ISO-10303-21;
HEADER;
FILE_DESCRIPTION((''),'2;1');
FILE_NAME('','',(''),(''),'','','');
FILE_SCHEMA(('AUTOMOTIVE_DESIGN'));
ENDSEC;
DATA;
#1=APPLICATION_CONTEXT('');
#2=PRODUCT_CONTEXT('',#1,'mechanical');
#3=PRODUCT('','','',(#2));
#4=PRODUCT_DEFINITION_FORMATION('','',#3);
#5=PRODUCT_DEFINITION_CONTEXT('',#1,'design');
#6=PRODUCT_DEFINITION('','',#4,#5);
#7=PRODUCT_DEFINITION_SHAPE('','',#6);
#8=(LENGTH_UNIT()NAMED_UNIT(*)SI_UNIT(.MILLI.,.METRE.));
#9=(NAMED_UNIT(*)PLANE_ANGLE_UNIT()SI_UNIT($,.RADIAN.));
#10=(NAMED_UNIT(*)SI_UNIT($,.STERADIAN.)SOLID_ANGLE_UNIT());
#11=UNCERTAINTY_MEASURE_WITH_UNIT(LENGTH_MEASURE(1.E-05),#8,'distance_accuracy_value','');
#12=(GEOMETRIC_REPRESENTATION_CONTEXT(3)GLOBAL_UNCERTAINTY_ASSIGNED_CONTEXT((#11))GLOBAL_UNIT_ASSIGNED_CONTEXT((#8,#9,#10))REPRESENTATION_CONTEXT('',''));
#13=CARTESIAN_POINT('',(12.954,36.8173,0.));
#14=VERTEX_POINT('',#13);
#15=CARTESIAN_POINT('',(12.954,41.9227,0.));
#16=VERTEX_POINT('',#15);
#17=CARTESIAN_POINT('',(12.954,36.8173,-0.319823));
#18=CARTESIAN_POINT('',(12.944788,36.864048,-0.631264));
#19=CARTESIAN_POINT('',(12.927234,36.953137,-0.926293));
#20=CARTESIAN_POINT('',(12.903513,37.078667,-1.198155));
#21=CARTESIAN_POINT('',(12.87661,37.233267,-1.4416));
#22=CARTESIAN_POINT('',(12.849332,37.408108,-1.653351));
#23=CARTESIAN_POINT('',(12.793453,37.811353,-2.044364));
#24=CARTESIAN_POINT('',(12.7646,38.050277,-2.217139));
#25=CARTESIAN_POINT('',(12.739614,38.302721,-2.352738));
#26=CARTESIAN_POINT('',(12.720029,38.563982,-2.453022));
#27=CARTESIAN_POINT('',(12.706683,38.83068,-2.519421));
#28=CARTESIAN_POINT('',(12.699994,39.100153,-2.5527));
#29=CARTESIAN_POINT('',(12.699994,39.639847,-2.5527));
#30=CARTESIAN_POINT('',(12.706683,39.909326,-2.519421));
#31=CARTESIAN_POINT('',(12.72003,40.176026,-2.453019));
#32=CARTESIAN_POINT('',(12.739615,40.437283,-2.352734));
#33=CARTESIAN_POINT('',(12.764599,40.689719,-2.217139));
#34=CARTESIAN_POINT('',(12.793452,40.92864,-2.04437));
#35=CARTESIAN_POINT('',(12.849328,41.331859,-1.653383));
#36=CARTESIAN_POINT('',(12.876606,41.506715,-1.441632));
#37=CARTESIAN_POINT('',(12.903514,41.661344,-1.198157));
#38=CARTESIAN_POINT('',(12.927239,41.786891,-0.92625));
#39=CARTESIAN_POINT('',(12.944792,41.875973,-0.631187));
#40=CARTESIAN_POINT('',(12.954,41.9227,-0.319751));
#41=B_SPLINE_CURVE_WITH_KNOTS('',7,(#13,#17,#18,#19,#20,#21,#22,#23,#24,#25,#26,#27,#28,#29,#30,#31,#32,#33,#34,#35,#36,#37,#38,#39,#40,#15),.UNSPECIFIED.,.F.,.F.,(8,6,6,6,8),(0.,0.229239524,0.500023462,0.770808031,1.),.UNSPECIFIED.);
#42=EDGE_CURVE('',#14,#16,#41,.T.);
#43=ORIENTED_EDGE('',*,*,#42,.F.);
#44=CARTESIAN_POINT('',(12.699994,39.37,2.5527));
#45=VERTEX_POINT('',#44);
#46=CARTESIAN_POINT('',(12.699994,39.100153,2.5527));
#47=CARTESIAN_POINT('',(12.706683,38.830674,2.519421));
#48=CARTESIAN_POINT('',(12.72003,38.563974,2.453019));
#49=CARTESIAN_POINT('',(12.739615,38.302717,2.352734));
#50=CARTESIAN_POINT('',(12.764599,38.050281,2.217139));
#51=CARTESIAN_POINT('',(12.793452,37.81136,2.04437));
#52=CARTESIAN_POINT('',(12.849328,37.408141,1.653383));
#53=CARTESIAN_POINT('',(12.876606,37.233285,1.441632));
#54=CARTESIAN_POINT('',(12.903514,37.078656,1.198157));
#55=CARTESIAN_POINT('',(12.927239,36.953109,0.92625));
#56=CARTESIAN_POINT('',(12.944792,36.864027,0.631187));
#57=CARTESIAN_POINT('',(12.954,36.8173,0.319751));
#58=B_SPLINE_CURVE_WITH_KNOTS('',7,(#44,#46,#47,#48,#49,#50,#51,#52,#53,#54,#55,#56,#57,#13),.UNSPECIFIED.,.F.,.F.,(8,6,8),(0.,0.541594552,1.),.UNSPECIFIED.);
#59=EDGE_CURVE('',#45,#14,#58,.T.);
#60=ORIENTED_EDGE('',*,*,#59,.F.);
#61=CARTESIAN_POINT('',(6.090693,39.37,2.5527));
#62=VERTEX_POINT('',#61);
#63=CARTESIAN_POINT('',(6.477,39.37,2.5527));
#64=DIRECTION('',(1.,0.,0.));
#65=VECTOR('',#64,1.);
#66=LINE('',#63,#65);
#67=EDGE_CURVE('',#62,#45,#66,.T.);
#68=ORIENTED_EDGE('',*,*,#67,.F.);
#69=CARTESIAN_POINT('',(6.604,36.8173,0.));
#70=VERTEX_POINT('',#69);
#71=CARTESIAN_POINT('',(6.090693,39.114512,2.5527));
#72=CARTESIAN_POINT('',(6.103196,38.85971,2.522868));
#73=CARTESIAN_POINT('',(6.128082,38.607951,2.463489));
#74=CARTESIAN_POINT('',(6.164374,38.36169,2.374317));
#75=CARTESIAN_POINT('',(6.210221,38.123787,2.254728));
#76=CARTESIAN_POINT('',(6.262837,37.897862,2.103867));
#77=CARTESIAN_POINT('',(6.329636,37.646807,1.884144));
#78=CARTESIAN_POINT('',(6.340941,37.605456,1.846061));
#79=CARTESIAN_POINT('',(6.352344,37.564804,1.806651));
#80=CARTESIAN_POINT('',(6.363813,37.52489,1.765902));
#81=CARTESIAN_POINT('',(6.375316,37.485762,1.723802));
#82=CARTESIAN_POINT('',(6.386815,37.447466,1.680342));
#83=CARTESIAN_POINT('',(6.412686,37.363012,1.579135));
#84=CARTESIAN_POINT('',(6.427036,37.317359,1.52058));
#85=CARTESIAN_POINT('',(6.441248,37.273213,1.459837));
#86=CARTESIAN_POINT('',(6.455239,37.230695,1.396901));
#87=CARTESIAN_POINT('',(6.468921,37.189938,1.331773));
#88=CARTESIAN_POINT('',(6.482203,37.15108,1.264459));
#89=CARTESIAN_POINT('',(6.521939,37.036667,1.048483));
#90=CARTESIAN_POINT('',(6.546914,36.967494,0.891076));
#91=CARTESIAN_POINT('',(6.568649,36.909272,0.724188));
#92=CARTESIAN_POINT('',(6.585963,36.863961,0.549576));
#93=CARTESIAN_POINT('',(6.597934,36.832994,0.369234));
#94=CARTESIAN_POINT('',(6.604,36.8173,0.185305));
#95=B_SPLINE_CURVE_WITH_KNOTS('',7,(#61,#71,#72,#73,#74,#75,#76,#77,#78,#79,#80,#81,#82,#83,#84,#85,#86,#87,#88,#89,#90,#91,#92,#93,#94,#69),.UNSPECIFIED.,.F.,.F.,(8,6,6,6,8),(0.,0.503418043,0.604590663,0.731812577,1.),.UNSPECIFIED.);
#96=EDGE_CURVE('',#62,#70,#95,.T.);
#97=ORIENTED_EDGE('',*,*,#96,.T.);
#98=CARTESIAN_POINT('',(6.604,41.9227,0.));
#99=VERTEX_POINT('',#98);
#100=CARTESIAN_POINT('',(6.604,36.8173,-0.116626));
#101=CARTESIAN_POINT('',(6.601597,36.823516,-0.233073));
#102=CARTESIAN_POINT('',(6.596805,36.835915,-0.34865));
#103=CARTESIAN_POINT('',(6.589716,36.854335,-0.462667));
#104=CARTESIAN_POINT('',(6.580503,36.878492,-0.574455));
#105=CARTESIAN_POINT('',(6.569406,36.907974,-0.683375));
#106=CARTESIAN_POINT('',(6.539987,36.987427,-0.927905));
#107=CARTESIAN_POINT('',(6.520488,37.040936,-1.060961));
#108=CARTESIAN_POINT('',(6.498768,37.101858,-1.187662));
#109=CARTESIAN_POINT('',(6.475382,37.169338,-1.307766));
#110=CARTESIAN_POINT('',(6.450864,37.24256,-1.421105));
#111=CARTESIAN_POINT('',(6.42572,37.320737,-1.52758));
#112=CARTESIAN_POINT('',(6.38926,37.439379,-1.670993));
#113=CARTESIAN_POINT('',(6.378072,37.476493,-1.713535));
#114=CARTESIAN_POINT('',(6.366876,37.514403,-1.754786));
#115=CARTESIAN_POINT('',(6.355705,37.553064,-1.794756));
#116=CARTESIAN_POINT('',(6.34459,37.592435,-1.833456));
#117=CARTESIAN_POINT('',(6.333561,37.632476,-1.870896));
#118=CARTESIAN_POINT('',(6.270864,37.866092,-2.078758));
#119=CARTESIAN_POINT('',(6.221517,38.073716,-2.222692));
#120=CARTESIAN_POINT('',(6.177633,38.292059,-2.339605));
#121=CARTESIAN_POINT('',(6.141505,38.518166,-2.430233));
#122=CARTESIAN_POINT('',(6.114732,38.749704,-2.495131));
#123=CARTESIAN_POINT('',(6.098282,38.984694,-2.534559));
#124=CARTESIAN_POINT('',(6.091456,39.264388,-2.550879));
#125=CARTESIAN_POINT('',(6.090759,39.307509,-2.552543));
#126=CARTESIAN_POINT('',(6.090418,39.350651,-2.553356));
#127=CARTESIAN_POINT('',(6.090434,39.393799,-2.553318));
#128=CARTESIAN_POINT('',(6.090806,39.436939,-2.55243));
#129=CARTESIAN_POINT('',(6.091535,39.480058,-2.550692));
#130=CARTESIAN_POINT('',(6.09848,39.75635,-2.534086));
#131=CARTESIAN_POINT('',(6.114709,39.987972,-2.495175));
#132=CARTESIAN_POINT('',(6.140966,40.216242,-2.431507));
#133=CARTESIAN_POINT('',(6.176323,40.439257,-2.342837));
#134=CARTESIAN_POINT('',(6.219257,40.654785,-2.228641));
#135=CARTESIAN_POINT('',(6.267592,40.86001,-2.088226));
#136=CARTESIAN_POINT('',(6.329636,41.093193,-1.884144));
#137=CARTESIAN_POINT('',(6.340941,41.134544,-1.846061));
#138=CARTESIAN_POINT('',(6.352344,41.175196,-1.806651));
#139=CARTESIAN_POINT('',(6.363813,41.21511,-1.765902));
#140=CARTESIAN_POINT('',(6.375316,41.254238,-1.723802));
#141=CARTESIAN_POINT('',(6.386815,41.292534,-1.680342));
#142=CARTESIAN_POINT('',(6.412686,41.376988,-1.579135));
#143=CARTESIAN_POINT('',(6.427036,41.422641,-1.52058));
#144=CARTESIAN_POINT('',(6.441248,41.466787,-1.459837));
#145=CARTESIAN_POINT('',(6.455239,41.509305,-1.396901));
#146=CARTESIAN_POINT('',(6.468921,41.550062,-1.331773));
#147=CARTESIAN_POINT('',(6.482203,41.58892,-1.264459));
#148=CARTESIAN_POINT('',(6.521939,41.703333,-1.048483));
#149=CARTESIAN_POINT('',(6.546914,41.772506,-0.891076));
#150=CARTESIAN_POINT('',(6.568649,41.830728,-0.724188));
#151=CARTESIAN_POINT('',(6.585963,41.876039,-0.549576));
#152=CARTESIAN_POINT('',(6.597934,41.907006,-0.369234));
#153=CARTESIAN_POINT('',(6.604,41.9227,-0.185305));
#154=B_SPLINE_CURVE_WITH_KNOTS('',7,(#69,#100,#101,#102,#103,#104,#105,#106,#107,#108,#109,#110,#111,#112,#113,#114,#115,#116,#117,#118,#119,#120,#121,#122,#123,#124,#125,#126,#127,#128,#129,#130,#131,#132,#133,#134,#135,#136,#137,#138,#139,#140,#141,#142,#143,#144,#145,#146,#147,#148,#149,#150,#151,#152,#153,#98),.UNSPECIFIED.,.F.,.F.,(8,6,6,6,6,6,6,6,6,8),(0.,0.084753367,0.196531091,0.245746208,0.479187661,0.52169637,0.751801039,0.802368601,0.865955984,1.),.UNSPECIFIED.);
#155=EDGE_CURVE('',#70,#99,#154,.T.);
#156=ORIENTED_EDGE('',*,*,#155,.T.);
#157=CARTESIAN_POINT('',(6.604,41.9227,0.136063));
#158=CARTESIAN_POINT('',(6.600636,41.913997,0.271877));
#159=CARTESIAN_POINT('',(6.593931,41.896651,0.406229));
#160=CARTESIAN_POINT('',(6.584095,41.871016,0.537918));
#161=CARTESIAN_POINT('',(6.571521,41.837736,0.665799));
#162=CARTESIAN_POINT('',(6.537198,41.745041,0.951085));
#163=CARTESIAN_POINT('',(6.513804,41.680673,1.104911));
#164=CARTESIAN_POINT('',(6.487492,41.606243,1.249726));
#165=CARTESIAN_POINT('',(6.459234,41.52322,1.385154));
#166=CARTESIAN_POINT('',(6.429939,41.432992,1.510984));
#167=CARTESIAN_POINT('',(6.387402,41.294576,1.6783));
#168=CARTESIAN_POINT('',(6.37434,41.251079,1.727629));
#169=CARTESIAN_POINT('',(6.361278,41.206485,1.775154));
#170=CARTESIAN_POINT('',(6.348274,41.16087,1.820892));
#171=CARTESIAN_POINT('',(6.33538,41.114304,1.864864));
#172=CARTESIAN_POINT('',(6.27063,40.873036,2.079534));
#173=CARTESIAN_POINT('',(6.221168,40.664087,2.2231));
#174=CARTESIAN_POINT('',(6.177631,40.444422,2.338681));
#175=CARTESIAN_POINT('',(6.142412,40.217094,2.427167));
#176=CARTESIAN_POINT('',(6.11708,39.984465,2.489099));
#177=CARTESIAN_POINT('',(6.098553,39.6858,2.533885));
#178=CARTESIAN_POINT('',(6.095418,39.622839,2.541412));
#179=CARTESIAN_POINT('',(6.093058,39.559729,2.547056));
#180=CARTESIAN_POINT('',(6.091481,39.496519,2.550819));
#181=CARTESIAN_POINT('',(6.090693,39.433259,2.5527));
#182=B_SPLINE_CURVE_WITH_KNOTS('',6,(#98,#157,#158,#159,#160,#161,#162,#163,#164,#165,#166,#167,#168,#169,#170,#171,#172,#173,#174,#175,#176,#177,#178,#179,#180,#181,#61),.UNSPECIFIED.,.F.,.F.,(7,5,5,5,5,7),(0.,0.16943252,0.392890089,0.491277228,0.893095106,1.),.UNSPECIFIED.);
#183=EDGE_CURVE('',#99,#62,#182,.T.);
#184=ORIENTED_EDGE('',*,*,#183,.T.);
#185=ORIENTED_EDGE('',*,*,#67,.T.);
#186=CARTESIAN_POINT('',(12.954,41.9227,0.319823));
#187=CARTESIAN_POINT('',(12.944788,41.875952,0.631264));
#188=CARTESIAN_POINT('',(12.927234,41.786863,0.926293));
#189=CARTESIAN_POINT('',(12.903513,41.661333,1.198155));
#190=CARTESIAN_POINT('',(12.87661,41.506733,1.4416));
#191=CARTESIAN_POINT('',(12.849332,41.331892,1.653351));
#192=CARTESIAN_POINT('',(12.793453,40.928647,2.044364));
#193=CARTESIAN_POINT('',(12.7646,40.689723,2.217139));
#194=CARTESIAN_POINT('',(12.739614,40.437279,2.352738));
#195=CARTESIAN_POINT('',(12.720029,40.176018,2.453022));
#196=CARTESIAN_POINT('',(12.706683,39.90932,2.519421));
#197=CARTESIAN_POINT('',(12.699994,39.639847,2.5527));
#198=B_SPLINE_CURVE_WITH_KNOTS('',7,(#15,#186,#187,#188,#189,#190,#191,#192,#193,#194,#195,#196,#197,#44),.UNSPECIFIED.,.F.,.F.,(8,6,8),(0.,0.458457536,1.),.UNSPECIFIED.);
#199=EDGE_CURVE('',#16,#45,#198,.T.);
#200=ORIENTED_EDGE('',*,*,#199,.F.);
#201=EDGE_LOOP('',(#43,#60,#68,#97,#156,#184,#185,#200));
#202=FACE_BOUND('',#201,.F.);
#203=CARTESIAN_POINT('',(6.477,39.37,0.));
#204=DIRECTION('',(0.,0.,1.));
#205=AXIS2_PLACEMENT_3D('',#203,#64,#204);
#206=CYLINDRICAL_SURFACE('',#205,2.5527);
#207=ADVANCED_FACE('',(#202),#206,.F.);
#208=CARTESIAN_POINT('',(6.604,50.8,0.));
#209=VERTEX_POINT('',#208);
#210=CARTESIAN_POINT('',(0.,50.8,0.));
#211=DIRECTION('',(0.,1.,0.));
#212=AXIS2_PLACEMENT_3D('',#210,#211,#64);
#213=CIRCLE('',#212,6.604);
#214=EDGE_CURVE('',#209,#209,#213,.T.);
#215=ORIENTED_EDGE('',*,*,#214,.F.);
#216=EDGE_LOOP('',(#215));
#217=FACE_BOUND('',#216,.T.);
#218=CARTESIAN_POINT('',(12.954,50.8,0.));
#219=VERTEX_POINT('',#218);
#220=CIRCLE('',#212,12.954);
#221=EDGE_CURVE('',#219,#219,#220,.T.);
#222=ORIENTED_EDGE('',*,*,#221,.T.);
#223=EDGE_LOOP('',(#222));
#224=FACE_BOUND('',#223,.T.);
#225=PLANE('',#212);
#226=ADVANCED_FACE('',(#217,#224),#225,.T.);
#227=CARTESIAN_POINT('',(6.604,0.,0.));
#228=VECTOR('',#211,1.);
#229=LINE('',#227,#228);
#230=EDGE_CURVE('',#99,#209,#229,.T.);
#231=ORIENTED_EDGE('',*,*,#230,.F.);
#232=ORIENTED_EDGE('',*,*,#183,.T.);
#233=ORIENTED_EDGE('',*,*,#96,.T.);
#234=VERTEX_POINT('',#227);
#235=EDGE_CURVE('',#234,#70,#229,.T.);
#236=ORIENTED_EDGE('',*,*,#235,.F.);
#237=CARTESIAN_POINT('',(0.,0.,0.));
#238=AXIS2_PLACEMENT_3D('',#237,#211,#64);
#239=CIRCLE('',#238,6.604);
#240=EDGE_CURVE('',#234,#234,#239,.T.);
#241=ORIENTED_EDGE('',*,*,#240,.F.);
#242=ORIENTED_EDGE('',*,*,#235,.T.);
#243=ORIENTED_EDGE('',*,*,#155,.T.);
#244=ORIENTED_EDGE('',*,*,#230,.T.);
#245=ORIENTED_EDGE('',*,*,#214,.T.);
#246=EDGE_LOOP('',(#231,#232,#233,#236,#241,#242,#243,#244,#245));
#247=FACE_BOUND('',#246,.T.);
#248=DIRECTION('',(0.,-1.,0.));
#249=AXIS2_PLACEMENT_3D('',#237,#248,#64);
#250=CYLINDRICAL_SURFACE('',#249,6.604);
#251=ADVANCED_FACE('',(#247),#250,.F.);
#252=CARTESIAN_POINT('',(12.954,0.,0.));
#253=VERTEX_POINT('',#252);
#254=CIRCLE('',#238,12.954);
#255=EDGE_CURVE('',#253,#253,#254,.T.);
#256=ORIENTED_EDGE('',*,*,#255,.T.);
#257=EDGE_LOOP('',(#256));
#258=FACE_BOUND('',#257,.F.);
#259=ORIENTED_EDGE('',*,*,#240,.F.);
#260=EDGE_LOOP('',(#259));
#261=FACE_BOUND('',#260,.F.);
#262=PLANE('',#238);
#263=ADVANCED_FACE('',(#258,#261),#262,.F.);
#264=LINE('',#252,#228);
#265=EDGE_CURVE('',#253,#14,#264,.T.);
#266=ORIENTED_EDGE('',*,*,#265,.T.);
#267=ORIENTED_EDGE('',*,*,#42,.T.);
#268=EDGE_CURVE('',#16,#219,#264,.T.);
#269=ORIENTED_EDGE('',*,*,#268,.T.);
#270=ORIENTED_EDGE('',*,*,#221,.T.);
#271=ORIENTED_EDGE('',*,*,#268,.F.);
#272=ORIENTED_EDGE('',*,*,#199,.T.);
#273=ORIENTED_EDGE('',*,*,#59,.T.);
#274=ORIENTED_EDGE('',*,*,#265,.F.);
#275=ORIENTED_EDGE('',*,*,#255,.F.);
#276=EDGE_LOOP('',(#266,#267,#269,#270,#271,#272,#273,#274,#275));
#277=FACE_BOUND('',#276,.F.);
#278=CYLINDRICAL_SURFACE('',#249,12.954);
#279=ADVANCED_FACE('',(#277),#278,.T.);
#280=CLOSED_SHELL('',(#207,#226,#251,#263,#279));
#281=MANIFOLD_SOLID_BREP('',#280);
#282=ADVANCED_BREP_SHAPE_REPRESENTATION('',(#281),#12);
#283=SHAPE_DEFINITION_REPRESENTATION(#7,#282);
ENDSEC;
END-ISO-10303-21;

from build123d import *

# Parameters (mm, degrees)
SKETCH1_R           = 12.954
SKETCH1_R_2         = 6.604
BOSS_EXTRUDE1_DEPTH = 50.8
SKETCH3_W           = 2.5527
SKETCH3_H           = 12.954


with BuildPart() as part:
    # Sketch1 → Boss-Extrude1 (new body)
    with BuildSketch(Plane(origin=(0, 0, 0), x_dir=(1, 0, 0), z_dir=(0, 1, 0))):
        Circle(SKETCH1_R)
        Circle(SKETCH1_R_2, mode=Mode.SUBTRACT)
    extrude(amount=BOSS_EXTRUDE1_DEPTH)

    # Sketch3 → 1/4-20 Tapped Hole1 (revolve, cut)
    with BuildSketch(Plane.ZX.offset(39.37)):
        with Locations((1.27635, 6.477)):
            Rectangle(SKETCH3_W, SKETCH3_H)
    revolve(axis=Axis((-6.35, 39.37, 0), (1, 0, 0)), mode=Mode.SUBTRACT)


solid = part.part
